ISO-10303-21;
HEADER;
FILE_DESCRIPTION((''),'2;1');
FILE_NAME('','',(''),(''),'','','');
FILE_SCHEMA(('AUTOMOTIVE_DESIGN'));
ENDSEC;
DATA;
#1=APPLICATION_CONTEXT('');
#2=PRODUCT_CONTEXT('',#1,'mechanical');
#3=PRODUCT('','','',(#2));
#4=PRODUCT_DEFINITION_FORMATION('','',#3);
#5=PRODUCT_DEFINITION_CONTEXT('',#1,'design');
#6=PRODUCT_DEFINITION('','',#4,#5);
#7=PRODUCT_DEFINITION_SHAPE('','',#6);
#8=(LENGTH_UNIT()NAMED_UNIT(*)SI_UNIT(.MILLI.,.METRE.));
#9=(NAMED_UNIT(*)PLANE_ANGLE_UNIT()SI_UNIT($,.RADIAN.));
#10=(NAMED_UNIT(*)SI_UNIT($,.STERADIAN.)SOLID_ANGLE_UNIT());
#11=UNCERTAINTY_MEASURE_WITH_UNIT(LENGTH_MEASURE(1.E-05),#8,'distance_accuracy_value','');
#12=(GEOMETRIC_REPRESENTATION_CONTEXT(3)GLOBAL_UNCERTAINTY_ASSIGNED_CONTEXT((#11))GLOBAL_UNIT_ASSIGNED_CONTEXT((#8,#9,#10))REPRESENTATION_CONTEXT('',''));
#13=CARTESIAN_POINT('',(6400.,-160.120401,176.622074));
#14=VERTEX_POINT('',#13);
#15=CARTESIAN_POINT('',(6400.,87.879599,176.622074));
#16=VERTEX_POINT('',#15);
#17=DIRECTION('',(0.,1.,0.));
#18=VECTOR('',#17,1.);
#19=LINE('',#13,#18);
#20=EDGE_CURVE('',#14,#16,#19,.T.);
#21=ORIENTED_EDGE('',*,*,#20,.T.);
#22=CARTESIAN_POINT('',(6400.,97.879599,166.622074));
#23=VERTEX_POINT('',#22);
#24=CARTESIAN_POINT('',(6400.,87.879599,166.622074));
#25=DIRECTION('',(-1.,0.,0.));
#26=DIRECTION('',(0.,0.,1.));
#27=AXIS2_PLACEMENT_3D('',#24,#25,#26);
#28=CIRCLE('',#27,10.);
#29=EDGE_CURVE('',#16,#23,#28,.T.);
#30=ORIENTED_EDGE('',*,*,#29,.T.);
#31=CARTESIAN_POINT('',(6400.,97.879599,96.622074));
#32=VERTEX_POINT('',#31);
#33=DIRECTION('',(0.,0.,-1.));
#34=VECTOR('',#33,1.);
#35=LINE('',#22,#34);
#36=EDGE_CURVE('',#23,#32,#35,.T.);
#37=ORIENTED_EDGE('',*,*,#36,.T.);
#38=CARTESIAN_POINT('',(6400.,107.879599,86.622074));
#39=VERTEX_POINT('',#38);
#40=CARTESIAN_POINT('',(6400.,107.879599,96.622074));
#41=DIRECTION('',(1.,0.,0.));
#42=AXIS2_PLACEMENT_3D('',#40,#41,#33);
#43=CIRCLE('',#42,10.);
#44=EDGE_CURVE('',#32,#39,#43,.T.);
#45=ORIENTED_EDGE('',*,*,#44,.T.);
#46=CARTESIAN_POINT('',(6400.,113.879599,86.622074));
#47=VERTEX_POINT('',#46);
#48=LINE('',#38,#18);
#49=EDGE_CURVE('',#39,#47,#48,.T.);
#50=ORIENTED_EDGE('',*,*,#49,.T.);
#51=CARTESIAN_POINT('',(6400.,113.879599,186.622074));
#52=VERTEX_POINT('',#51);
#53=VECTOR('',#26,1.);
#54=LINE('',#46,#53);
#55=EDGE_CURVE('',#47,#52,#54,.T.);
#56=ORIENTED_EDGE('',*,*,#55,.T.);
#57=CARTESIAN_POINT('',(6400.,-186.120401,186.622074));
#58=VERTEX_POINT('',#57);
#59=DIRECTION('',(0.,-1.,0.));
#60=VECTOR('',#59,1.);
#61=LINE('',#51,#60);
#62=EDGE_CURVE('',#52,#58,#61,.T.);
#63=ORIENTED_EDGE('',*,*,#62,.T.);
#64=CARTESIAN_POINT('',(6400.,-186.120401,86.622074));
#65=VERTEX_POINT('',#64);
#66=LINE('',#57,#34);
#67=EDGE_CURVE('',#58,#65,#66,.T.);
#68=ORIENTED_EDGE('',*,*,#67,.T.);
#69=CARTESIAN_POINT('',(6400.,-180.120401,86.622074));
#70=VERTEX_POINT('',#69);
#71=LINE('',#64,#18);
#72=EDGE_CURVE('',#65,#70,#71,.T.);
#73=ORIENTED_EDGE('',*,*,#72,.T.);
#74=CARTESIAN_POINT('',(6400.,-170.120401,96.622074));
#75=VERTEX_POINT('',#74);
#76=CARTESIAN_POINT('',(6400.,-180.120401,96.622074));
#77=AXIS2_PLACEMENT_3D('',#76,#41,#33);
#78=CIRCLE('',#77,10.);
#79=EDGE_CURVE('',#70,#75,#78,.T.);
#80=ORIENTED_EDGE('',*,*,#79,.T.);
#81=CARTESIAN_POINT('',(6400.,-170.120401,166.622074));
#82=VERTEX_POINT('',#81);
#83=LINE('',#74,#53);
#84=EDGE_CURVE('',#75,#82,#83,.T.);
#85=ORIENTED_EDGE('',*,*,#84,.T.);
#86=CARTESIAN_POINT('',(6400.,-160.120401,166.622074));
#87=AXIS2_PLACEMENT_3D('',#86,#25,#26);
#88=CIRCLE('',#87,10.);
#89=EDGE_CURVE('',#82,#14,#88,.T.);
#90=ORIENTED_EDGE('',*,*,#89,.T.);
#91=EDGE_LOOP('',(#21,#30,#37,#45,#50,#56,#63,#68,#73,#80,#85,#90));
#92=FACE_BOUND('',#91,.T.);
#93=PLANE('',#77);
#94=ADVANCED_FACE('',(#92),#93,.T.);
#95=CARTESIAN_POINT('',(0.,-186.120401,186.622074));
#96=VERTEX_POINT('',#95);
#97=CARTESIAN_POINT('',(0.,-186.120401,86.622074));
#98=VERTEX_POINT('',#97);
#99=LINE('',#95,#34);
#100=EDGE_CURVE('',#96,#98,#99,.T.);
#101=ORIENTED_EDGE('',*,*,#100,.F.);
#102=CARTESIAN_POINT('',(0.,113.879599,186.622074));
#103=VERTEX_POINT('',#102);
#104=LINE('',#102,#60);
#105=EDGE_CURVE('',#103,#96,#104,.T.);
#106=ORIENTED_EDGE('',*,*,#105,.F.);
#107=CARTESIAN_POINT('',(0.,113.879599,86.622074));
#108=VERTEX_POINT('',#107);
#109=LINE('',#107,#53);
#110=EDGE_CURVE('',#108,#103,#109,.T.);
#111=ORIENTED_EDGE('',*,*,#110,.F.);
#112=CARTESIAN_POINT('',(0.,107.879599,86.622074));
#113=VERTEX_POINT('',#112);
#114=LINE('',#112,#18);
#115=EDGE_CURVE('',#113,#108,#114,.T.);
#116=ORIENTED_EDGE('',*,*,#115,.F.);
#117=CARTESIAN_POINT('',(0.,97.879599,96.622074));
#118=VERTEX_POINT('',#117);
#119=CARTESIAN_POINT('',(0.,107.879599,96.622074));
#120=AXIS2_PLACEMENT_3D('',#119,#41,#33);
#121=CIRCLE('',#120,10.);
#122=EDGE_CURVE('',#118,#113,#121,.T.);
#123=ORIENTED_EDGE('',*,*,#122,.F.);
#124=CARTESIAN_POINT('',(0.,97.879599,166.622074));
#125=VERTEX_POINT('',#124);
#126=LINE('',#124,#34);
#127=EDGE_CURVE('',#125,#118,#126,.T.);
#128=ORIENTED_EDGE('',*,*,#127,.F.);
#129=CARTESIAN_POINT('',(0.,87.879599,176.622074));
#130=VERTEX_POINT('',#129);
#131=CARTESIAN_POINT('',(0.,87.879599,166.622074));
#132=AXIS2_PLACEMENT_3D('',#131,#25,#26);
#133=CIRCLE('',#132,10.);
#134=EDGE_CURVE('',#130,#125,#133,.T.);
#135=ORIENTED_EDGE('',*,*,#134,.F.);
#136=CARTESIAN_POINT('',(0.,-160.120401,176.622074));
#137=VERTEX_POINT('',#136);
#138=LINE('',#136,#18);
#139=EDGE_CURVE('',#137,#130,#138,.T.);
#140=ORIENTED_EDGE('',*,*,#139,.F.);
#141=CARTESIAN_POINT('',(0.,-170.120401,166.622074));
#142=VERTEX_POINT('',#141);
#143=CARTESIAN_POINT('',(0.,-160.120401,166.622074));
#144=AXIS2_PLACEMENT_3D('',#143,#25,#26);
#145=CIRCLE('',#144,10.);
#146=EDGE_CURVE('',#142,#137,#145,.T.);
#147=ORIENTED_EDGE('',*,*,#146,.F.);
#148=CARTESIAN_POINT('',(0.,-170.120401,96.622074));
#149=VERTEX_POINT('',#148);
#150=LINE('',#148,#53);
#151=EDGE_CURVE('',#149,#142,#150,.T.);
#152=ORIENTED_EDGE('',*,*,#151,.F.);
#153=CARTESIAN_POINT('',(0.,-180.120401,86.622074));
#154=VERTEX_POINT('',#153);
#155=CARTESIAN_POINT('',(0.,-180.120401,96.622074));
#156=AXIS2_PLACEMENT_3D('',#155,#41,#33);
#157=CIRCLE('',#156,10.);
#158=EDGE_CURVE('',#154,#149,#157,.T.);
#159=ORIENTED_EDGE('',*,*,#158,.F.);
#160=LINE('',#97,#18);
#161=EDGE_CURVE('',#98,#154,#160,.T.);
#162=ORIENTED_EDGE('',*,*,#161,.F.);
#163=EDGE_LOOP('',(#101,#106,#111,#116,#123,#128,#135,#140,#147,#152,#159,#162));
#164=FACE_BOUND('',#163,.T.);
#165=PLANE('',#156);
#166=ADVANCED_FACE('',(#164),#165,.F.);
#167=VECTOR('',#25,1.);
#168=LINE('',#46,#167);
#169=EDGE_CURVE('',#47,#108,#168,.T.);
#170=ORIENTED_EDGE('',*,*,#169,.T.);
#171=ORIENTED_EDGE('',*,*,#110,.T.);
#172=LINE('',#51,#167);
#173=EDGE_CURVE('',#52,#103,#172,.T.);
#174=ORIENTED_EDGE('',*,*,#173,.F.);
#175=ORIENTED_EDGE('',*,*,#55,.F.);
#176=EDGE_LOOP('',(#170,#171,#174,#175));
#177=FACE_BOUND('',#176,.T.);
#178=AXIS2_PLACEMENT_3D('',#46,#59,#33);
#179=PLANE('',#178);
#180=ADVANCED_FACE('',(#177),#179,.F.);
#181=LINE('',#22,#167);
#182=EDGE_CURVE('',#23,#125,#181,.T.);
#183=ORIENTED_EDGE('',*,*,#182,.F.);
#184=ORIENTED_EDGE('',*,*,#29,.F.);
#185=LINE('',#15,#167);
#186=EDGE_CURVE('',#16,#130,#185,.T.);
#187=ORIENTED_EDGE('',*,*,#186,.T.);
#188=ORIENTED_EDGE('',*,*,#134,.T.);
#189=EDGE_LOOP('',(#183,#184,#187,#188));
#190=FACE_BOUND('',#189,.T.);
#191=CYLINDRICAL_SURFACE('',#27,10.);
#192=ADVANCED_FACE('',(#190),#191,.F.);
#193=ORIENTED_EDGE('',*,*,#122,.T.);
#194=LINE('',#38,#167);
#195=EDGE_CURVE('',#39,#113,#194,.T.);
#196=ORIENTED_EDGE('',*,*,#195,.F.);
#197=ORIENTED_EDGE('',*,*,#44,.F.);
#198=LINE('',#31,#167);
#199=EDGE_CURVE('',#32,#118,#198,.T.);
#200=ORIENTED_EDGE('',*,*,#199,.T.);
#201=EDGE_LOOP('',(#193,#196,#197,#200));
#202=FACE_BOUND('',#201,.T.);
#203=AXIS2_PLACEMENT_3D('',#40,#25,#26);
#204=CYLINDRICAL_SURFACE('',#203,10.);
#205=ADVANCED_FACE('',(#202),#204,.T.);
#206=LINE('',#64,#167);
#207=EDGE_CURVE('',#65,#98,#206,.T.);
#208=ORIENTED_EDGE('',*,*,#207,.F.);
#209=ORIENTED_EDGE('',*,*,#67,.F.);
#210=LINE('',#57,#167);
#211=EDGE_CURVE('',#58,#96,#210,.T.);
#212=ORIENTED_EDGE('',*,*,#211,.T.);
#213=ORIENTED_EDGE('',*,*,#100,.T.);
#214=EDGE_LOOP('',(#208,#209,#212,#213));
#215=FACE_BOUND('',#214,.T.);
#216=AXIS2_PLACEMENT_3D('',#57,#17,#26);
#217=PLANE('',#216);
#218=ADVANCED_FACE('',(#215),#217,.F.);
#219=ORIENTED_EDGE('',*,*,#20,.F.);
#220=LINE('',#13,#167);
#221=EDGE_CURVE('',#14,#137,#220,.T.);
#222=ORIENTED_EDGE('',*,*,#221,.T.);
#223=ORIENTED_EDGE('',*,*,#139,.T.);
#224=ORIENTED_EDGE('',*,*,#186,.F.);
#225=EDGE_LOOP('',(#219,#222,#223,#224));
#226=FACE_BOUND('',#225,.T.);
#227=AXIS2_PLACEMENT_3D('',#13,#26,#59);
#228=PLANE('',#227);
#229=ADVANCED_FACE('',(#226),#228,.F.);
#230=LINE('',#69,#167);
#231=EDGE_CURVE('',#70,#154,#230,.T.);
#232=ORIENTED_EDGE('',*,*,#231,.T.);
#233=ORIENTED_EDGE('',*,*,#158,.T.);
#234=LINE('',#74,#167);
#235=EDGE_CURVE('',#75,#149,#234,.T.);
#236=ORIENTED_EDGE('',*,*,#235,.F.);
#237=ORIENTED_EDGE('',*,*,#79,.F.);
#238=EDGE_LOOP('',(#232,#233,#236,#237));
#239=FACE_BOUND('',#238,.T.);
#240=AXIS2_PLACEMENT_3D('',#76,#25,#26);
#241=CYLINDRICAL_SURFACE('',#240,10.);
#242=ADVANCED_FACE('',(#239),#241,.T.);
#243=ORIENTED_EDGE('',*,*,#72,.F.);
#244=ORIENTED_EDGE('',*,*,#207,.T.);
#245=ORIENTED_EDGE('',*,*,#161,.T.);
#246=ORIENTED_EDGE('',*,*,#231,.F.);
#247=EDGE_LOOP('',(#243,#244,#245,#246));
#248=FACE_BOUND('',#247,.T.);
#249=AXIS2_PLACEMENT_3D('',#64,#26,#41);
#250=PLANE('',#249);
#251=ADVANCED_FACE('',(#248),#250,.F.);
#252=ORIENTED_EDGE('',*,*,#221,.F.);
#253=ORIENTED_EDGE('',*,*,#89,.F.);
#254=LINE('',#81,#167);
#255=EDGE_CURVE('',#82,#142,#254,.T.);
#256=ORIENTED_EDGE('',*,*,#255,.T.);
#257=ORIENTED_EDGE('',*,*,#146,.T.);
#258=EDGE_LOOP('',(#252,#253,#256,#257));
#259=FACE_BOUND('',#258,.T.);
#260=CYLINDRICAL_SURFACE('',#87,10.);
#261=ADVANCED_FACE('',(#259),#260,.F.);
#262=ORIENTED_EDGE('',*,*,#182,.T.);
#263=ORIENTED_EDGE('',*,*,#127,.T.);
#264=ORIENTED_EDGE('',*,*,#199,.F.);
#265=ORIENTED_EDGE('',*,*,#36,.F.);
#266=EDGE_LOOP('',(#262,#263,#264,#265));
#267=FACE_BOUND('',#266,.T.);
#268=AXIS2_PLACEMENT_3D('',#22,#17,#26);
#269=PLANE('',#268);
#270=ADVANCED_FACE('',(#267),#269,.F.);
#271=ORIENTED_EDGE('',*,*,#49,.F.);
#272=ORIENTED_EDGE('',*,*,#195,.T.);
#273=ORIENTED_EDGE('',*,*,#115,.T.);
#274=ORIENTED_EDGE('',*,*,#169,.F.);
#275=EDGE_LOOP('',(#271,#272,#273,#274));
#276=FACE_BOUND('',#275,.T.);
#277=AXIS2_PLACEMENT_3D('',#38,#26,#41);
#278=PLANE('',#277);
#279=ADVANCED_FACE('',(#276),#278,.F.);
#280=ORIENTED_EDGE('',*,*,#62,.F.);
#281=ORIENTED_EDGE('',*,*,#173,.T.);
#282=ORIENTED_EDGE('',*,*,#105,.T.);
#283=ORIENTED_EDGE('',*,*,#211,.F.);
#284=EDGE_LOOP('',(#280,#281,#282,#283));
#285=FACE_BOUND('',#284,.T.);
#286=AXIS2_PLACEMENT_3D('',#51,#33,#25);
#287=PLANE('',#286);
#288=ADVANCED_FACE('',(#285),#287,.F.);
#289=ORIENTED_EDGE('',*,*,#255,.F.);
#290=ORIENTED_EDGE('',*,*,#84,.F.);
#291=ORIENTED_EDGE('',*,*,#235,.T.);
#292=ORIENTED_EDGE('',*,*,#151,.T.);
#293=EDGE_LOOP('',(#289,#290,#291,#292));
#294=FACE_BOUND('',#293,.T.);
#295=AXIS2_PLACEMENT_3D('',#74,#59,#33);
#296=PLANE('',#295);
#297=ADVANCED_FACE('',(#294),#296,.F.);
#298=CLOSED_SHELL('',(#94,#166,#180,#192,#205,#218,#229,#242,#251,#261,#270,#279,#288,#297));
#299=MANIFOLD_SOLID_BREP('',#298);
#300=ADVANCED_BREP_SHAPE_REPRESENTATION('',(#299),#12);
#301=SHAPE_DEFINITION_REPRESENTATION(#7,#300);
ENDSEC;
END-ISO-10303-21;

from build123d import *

# Parameters (mm, degrees)
BOSS_EXTRUDE1_DEPTH = 6400


with BuildPart() as part:
    # Sketch1 → Boss-Extrude1 (new body)
    with BuildSketch(Plane(origin=(0, 0, 0), x_dir=(0, 0, -1), z_dir=(1, 0, 0))):
        with BuildLine():
            Line((-86.622073579, 113.879598662), (-186.622073579, 113.879598662))
            Line((-186.622073579, 113.879598662), (-186.622073579, -186.120401338))
            Line((-186.622073579, -186.120401338), (-86.622073579, -186.120401338))
            Line((-86.622073579, -186.120401338), (-86.622073579, -180.120401338))
            ThreePointArc((-86.622073579, -180.120401338), (-89.551005767, -173.049333526), (-96.622073579, -170.120401338))
            Line((-96.622073579, -170.120401338), (-166.622073579, -170.120401338))
            ThreePointArc((-166.622073579, -170.120401338), (-173.69314139, -167.19146915), (-176.622073579, -160.120401338))
            Line((-176.622073579, -160.120401338), (-176.622073579, 87.879598662))
            ThreePointArc((-176.622073579, 87.879598662), (-173.69314139, 94.950666474), (-166.622073579, 97.879598662))
            Line((-166.622073579, 97.879598662), (-96.622073579, 97.879598662))
            ThreePointArc((-96.622073579, 97.879598662), (-89.551005767, 100.80853085), (-86.622073579, 107.879598662))
            Line((-86.622073579, 107.879598662), (-86.622073579, 113.879598662))
        make_face()
    extrude(amount=BOSS_EXTRUDE1_DEPTH)


solid = part.part
